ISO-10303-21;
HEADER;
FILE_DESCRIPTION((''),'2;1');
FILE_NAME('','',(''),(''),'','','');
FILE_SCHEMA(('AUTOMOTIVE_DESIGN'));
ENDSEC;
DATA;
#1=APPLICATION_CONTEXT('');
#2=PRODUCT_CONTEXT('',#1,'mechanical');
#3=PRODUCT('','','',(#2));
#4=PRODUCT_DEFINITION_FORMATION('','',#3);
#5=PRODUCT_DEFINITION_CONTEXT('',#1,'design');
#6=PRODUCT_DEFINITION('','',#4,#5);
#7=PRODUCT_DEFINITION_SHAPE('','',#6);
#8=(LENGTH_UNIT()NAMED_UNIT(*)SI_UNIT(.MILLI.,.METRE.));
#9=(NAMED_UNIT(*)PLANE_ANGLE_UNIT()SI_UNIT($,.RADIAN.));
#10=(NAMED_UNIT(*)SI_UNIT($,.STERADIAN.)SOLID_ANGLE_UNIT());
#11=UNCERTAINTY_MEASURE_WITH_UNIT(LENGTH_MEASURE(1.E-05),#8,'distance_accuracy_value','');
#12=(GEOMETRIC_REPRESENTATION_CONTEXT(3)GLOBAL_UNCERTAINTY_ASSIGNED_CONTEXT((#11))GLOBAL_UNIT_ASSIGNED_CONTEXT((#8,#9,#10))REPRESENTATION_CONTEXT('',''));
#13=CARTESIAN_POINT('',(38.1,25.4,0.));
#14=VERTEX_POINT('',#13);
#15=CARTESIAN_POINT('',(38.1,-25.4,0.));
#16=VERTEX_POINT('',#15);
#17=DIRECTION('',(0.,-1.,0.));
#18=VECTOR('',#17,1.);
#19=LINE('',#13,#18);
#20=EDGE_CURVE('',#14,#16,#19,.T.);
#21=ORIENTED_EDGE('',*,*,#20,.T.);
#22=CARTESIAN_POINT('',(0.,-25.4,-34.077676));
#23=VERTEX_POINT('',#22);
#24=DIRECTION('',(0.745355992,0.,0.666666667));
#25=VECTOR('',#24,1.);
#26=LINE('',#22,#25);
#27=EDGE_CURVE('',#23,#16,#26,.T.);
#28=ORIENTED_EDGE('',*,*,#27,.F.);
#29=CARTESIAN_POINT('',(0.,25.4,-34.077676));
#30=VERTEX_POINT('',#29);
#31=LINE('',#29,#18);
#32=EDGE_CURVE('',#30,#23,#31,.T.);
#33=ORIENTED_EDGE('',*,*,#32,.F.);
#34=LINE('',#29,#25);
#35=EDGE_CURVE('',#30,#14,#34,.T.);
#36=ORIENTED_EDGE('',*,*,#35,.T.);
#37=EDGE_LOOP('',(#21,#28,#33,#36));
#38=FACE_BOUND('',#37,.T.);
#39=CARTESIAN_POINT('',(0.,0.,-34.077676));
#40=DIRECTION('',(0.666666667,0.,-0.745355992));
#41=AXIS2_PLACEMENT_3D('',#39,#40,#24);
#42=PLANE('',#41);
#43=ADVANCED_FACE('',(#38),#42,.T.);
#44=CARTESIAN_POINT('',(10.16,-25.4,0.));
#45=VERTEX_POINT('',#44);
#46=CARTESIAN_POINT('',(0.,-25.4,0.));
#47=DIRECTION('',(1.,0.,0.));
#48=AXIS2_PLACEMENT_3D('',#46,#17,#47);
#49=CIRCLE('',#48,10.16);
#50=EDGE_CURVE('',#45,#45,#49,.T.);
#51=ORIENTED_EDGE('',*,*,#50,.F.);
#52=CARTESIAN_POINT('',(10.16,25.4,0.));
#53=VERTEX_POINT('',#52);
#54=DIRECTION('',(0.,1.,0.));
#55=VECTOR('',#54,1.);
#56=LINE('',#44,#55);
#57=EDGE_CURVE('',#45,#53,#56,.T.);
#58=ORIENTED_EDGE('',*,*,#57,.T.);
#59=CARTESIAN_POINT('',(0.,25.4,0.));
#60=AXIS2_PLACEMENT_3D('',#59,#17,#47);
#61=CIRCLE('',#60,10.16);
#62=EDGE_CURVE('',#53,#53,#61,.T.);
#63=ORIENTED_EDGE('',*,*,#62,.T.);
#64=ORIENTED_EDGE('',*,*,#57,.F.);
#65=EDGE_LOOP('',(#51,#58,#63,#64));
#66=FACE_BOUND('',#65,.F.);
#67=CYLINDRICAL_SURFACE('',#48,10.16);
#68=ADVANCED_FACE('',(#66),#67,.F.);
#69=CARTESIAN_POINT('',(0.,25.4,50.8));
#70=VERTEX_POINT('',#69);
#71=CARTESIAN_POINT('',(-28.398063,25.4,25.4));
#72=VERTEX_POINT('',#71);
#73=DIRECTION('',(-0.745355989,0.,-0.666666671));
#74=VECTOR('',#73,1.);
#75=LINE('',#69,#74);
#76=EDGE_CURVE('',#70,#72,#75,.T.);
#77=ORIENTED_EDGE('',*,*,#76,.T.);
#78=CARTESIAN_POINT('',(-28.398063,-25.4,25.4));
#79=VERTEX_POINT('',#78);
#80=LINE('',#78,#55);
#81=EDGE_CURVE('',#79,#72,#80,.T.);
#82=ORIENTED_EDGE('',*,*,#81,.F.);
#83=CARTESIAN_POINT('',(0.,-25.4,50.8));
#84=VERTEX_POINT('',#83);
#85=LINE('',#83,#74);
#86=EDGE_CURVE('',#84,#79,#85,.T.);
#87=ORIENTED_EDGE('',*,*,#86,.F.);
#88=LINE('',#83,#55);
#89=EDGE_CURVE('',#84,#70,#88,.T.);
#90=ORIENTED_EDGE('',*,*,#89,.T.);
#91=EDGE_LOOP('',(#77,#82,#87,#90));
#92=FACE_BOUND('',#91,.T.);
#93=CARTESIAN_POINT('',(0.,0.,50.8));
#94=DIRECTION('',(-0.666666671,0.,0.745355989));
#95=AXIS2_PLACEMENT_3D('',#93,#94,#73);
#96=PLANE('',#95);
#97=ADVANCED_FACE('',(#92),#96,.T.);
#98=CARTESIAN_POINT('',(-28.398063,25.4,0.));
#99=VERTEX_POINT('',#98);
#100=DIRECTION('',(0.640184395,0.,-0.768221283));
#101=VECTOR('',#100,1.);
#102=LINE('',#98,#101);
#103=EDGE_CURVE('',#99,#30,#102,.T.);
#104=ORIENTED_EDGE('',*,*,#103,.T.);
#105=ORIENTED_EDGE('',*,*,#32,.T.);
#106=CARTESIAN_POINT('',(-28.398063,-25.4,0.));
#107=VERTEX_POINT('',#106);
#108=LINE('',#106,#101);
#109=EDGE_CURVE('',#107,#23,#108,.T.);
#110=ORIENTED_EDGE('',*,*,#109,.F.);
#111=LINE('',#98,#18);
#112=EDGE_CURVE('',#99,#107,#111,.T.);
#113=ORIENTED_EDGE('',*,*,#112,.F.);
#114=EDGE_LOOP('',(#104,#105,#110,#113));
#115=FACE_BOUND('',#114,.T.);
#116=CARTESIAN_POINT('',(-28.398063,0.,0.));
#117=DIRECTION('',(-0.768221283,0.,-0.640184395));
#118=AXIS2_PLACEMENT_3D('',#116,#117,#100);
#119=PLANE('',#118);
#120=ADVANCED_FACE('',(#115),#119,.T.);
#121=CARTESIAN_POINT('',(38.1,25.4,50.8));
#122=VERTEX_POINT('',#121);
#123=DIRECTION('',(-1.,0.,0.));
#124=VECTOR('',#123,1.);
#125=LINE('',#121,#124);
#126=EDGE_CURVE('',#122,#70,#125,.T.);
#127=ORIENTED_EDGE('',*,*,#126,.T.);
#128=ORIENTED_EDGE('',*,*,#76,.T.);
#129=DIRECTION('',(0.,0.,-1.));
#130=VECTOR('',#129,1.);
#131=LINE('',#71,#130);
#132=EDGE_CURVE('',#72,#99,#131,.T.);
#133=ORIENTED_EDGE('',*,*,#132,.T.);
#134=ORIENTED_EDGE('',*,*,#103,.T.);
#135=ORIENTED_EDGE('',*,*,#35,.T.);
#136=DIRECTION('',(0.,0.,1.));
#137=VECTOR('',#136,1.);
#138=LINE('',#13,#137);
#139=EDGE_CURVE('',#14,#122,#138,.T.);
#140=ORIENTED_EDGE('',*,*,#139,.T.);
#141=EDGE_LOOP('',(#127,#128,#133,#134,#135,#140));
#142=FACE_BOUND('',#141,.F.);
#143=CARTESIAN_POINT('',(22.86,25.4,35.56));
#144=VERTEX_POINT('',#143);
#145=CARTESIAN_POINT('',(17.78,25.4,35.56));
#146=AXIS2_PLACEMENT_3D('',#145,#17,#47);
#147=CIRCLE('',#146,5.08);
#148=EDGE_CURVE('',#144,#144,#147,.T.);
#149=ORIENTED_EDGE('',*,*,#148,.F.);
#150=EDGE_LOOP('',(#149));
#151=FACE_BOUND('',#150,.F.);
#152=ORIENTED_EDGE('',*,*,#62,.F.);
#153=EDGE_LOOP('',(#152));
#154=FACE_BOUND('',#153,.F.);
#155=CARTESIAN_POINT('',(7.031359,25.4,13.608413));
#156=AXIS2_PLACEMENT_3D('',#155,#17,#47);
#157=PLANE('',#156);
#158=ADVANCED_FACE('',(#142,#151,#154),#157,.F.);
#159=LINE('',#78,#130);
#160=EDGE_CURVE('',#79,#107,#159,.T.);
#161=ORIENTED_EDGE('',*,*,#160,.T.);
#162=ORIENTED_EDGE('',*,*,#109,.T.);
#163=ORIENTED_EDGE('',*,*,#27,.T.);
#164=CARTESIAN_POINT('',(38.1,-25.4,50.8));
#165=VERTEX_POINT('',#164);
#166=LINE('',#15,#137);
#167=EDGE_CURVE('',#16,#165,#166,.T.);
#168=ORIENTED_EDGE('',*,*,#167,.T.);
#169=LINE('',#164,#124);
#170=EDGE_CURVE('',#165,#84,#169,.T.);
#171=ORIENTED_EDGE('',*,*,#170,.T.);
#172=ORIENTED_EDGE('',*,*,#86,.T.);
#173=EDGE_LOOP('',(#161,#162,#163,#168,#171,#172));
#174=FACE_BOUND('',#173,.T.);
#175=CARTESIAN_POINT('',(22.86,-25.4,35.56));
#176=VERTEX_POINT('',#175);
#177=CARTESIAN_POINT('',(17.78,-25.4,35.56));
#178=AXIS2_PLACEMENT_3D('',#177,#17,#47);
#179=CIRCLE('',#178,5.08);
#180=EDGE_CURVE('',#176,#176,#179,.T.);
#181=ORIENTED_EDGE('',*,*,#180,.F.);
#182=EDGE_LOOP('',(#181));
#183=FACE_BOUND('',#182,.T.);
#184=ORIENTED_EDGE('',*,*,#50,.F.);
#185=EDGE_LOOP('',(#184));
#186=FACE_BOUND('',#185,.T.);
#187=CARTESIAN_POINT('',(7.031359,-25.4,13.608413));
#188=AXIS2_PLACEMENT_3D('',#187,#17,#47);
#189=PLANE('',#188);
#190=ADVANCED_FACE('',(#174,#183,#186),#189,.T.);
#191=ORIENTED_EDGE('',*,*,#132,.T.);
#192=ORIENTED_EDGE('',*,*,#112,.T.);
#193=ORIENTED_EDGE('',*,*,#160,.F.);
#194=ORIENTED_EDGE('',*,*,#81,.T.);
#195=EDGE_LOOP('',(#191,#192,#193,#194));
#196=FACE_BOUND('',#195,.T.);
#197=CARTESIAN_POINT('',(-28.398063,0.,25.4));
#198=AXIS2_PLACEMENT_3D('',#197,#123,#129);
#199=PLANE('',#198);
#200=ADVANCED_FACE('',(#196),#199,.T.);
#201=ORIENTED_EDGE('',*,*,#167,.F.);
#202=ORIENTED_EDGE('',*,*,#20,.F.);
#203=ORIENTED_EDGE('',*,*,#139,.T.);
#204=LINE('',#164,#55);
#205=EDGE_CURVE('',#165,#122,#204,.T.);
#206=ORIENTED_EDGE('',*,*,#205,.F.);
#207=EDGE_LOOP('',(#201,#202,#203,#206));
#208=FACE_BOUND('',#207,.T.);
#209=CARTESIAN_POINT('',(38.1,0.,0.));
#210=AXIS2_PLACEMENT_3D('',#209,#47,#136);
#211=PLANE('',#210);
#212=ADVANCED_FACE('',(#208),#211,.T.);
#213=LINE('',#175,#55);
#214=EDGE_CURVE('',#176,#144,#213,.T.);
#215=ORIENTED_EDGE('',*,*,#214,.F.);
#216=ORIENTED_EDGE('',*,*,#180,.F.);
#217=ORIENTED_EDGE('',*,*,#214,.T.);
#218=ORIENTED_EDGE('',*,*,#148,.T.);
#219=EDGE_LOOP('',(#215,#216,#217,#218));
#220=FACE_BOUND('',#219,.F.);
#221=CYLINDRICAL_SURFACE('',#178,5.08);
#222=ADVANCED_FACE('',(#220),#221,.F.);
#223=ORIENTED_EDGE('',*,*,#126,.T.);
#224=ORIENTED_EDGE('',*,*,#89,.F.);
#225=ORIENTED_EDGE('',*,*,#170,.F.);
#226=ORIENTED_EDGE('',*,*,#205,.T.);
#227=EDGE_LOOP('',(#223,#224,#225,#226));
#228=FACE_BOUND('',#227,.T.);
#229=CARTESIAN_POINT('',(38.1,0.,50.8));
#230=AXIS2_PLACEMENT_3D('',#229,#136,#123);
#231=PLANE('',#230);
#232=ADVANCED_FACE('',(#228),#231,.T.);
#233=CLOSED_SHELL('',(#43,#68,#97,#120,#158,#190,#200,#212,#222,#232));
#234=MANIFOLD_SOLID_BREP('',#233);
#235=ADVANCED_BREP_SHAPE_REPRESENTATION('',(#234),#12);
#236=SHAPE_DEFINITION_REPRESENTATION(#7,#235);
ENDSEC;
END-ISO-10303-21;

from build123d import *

# Parameters (mm, degrees)
F1_DEPTH      = 25.4
F1_DEPTH_BACK = 25.4
F2_R          = 10.16
F2_R_2        = 5.08
F3_DEPTH      = 50.801


with BuildPart() as f1:
    # F0 (on Front) → F1 (new body, two sides)
    with BuildSketch(Plane.XZ) as f1_sk:
        Polygon((-28.398063, 25.4), (-28.398063, 0), (0, -34.077676), (38.1, 0), (38.1, 50.8), (0, 50.8), align=None)
    extrude(amount=F1_DEPTH)
    extrude(f1_sk.sketch, amount=-F1_DEPTH_BACK)

    # F2 (on face) → F3 (cut, through all)
    with BuildSketch(Plane.XZ.offset(25.4)):
        Circle(F2_R)
        with Locations((17.78, 35.56)):
            Circle(F2_R_2)
    extrude(amount=-F3_DEPTH, mode=Mode.SUBTRACT)


solid = f1.part
